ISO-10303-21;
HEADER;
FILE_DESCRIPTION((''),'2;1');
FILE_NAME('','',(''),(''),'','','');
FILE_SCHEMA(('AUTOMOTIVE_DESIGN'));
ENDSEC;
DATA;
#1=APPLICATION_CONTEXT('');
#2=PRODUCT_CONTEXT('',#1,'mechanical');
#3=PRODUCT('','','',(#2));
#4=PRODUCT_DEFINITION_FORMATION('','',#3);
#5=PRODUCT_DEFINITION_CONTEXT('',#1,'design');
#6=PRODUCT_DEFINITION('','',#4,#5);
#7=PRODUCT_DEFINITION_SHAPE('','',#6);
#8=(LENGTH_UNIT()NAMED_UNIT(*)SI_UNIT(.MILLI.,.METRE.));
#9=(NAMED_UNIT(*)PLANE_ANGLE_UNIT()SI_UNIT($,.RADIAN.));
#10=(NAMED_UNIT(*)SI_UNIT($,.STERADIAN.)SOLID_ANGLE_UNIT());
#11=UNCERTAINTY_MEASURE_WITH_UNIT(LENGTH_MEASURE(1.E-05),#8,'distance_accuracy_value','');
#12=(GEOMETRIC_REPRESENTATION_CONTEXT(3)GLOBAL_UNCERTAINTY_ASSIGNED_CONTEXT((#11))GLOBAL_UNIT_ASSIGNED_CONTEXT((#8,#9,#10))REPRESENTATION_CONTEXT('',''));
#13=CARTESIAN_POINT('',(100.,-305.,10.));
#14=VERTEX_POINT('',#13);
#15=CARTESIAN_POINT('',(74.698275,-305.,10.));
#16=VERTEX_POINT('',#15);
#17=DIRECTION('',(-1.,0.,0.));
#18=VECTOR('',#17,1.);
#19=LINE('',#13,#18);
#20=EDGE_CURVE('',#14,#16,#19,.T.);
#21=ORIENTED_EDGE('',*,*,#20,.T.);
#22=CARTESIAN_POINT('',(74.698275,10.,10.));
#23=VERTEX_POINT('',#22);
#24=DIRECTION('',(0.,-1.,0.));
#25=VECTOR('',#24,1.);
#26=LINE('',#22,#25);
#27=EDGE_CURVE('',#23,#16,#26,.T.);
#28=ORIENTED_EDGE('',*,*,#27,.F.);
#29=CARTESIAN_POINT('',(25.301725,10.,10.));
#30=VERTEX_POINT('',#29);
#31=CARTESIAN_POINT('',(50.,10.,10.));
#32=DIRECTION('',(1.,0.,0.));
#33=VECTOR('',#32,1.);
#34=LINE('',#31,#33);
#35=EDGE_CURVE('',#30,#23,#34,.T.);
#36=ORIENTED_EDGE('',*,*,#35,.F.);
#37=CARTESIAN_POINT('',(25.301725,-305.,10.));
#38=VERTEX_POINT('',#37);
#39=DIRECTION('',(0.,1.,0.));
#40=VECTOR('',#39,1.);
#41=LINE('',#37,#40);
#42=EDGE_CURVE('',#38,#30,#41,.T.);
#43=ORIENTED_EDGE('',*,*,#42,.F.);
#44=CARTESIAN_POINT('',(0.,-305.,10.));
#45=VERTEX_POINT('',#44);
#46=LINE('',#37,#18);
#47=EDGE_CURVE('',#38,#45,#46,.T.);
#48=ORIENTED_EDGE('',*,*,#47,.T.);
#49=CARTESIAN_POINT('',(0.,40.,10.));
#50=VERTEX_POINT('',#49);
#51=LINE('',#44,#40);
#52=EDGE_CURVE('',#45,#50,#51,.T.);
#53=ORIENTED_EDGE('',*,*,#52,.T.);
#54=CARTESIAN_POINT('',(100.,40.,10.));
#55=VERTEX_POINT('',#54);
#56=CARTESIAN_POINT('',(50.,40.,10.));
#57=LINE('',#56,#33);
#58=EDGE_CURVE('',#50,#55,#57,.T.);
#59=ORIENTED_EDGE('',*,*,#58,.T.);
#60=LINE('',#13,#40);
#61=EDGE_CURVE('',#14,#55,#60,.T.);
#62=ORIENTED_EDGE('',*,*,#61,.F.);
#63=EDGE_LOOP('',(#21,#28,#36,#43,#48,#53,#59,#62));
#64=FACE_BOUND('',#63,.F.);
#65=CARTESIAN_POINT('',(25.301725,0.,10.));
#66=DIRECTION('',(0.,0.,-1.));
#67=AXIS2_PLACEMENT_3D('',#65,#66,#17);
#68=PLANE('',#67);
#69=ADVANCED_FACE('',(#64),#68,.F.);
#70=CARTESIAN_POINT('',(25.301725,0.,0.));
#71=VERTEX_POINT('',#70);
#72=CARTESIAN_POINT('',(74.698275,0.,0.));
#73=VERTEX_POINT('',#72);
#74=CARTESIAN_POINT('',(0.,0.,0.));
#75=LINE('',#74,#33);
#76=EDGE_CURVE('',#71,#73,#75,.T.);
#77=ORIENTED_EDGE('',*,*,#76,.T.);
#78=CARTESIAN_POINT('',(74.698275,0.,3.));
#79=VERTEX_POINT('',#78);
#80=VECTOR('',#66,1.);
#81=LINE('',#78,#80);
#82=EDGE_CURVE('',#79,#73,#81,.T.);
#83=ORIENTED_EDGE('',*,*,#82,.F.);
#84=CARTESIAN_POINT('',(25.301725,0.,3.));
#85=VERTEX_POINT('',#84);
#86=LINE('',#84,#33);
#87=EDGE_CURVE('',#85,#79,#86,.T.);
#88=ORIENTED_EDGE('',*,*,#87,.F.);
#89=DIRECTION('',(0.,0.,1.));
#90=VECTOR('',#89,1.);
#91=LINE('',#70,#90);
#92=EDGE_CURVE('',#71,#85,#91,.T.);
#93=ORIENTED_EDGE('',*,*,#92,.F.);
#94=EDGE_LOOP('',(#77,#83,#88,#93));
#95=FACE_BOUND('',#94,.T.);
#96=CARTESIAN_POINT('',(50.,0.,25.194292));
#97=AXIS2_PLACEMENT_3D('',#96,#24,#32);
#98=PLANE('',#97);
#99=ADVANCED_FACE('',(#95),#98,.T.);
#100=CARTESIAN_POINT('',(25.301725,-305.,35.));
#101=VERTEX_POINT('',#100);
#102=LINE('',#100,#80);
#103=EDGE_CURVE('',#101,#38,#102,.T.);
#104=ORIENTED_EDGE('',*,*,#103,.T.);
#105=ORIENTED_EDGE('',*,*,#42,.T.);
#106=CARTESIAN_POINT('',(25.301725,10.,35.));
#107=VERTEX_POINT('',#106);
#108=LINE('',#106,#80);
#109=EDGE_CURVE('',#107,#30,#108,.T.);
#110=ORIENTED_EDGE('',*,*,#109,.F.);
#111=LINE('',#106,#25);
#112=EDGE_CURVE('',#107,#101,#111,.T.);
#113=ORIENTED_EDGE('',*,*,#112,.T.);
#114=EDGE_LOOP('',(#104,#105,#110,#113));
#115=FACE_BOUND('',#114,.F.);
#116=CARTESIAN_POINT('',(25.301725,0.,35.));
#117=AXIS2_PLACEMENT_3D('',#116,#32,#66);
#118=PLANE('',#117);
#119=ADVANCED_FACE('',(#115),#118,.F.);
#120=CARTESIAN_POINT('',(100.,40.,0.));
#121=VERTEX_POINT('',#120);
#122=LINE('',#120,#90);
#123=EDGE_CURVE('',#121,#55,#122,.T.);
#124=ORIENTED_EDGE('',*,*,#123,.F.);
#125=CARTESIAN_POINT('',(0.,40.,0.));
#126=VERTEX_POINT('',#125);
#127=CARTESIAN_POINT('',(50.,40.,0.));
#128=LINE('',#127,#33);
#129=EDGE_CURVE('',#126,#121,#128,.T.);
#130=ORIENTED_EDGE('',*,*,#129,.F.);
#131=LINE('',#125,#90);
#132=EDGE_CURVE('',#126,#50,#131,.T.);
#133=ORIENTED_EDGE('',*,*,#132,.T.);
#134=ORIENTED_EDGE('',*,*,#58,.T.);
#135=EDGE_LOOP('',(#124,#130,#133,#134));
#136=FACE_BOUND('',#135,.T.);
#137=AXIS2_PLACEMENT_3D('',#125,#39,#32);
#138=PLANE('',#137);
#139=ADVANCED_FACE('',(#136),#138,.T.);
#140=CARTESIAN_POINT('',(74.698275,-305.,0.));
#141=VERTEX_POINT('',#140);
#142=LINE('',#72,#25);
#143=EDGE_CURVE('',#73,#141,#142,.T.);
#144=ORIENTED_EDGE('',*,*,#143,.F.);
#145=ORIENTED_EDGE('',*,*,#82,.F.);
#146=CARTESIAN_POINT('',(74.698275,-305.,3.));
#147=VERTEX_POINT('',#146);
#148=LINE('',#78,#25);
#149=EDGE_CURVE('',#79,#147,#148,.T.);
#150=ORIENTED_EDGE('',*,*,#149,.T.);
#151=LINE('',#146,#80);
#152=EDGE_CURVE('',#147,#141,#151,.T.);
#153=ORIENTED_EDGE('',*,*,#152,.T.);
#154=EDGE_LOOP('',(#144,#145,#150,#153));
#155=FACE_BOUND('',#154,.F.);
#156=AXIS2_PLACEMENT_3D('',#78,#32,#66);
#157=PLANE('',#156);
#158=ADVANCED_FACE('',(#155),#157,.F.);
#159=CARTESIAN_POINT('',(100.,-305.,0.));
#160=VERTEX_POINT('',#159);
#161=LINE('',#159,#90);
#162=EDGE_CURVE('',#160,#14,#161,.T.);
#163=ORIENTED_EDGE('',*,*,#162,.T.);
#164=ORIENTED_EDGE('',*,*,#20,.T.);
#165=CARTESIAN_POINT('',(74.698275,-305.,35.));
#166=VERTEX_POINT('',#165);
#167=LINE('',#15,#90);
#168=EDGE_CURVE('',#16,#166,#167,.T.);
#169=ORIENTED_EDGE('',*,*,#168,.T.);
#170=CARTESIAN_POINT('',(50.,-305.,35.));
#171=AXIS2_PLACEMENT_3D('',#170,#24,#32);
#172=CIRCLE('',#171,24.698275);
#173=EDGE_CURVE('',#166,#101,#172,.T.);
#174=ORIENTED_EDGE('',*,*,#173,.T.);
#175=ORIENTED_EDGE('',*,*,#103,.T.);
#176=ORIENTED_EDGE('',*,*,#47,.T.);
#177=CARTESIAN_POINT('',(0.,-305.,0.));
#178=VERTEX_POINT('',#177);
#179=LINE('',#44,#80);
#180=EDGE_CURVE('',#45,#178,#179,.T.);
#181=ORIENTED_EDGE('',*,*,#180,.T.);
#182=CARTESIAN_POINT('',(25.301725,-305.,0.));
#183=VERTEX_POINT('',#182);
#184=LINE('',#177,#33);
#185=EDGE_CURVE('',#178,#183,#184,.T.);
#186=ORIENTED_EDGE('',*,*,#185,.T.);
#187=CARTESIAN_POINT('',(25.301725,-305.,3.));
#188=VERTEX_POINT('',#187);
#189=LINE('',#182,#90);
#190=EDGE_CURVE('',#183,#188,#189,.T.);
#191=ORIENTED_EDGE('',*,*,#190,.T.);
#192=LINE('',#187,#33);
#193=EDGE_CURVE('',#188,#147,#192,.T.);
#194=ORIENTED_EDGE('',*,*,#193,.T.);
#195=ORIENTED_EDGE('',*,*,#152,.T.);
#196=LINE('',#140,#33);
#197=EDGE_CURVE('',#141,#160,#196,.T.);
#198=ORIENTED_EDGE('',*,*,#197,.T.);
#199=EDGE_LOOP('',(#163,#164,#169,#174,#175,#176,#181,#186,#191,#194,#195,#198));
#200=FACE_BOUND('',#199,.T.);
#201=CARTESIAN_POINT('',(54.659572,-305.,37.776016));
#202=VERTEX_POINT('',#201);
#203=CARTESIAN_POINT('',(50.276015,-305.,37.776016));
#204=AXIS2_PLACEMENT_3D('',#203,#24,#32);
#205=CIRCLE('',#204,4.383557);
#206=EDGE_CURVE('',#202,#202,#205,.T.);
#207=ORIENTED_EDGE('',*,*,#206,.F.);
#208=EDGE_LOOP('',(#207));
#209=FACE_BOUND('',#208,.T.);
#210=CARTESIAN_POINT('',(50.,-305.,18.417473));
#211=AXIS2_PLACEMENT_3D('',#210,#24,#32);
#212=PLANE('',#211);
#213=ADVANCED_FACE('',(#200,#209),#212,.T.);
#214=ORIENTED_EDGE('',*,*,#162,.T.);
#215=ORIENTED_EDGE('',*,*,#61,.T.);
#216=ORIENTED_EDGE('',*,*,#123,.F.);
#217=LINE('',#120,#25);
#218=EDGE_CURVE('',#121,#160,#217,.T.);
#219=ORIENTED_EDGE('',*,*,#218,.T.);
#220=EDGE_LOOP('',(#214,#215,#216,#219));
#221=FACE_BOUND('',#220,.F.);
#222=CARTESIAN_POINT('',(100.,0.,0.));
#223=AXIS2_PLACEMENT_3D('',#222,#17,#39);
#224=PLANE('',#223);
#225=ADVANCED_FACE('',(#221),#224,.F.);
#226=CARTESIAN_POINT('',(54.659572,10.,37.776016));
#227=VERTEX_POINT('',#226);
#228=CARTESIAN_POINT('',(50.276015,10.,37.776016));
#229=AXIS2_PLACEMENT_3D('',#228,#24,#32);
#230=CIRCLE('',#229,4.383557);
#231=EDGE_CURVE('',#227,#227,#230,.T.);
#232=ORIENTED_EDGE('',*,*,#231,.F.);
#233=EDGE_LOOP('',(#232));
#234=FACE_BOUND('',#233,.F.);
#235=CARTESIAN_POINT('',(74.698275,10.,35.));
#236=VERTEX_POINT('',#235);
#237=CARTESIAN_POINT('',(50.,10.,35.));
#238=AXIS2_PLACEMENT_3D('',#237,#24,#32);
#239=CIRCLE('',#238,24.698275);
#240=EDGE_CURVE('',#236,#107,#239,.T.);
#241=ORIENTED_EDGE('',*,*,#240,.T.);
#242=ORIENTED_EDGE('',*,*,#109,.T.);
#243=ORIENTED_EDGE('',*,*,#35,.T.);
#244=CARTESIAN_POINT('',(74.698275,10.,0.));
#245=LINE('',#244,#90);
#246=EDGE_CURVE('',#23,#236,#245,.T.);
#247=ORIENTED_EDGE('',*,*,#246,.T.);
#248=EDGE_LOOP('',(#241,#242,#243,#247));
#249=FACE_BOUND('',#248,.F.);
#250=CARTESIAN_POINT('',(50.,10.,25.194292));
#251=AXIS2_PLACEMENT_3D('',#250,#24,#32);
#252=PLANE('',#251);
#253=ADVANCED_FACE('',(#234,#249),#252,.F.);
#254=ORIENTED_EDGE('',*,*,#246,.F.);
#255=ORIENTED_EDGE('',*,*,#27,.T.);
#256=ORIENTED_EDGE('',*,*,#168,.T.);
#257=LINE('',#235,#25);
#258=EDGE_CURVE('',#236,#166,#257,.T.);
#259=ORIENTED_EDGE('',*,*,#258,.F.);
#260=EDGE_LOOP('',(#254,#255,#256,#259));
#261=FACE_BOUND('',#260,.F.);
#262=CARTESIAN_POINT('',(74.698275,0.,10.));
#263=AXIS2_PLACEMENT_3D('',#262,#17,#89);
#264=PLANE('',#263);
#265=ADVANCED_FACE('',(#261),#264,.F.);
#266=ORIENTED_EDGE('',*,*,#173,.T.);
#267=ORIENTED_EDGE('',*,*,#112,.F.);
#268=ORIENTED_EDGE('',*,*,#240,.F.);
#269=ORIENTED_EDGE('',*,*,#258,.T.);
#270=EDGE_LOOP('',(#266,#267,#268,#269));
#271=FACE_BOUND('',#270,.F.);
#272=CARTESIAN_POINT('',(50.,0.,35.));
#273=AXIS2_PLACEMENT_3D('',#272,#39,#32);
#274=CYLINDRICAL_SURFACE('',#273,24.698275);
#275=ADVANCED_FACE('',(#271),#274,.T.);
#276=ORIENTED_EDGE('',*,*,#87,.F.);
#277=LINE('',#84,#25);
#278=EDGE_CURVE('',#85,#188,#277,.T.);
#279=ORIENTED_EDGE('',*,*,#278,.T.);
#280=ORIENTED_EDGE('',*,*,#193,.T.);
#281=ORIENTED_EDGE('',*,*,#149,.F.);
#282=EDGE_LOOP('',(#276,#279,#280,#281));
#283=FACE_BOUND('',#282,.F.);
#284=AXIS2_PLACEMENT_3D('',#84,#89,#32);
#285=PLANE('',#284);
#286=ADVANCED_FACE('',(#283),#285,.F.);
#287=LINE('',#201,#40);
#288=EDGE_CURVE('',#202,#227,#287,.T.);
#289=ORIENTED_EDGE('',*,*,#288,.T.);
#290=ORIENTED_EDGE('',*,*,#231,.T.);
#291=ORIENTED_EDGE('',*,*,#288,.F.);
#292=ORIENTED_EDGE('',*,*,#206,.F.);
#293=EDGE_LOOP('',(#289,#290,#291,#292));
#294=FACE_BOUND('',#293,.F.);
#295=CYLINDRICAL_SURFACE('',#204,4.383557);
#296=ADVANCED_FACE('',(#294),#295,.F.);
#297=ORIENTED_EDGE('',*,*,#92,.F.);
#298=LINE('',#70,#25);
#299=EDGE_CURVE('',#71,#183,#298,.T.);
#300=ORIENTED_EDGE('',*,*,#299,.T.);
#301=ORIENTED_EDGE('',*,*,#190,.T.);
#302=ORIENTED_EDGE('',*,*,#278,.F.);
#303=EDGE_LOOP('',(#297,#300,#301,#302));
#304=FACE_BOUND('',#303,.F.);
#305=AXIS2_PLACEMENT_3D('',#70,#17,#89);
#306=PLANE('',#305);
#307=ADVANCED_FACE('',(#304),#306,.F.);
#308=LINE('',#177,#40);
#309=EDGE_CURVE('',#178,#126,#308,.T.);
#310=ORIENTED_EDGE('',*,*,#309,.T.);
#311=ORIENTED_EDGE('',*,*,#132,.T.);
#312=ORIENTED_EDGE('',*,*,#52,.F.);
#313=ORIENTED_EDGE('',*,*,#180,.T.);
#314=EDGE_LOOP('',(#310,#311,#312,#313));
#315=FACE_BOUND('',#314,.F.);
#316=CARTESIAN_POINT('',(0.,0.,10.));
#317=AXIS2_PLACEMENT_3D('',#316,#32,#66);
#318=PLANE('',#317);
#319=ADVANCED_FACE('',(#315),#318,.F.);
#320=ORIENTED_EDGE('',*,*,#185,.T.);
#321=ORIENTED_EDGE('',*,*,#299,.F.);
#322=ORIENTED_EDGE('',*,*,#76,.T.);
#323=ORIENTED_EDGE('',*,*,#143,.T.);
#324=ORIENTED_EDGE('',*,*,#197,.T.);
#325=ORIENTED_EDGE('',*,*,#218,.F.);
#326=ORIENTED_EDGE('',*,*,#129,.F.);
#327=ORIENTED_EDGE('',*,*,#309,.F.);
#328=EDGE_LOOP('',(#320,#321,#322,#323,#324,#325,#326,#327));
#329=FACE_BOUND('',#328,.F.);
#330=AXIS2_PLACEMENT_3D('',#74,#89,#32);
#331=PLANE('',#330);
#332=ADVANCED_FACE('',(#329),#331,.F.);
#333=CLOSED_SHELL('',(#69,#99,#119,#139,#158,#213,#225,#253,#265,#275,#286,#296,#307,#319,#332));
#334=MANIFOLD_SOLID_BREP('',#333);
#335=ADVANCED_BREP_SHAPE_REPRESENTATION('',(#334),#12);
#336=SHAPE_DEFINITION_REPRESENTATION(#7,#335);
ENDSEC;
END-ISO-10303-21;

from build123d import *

# Parameters (mm, degrees)
F0_W     = 100
F0_H     = 40
F1_DEPTH = 10
F3_DEPTH = 10
F5_DEPTH = 305
F6_R     = 4.383557
F7_DEPTH = 345.001


with BuildPart() as f1:
    # F0 (on Top) → F1 (new body)
    with BuildSketch(Plane.XY):
        with Locations((50, 20)):
            Rectangle(F0_W, F0_H)
    extrude(amount=F1_DEPTH)

    # F2 (on face) → F3 (join)
    with BuildSketch(Plane.XZ):
        with BuildLine():
            Line((25.301725, 35), (25.301725, 0))
            Line((25.301725, 0), (74.698275, 0))
            Line((74.698275, 0), (74.698275, 35))
            ThreePointArc((74.698275, 35), (50, 59.698275), (25.301725, 35))
        make_face()
    extrude(amount=-F3_DEPTH)

    # F4 (on face) → F5 (join)
    with BuildSketch(Plane.XZ):
        with BuildLine():
            Line((0, 0), (25.301725, 0))
            Line((25.301725, 0), (25.301725, 3))
            Line((25.301725, 3), (74.698275, 3))
            Line((74.698275, 3), (74.698275, 0))
            Line((74.698275, 0), (100, 0))
            Line((100, 0), (100, 10))
            Line((100, 10), (74.698275, 10))
            Line((74.698275, 10), (74.698275, 35))
            ThreePointArc((74.698275, 35), (50, 59.698275), (25.301725, 35))
            Line((25.301725, 35), (25.301725, 10))
            Line((25.301725, 10), (0, 10))
            Line((0, 10), (0, 0))
        make_face()
    extrude(amount=F5_DEPTH)

    # F6 (on face) → F7 (cut, through all)
    with BuildSketch(Plane.XZ.offset(305)):
        with Locations((50.276015, 37.776016)):
            Circle(F6_R)
    extrude(amount=-F7_DEPTH, mode=Mode.SUBTRACT)


solid = f1.part
